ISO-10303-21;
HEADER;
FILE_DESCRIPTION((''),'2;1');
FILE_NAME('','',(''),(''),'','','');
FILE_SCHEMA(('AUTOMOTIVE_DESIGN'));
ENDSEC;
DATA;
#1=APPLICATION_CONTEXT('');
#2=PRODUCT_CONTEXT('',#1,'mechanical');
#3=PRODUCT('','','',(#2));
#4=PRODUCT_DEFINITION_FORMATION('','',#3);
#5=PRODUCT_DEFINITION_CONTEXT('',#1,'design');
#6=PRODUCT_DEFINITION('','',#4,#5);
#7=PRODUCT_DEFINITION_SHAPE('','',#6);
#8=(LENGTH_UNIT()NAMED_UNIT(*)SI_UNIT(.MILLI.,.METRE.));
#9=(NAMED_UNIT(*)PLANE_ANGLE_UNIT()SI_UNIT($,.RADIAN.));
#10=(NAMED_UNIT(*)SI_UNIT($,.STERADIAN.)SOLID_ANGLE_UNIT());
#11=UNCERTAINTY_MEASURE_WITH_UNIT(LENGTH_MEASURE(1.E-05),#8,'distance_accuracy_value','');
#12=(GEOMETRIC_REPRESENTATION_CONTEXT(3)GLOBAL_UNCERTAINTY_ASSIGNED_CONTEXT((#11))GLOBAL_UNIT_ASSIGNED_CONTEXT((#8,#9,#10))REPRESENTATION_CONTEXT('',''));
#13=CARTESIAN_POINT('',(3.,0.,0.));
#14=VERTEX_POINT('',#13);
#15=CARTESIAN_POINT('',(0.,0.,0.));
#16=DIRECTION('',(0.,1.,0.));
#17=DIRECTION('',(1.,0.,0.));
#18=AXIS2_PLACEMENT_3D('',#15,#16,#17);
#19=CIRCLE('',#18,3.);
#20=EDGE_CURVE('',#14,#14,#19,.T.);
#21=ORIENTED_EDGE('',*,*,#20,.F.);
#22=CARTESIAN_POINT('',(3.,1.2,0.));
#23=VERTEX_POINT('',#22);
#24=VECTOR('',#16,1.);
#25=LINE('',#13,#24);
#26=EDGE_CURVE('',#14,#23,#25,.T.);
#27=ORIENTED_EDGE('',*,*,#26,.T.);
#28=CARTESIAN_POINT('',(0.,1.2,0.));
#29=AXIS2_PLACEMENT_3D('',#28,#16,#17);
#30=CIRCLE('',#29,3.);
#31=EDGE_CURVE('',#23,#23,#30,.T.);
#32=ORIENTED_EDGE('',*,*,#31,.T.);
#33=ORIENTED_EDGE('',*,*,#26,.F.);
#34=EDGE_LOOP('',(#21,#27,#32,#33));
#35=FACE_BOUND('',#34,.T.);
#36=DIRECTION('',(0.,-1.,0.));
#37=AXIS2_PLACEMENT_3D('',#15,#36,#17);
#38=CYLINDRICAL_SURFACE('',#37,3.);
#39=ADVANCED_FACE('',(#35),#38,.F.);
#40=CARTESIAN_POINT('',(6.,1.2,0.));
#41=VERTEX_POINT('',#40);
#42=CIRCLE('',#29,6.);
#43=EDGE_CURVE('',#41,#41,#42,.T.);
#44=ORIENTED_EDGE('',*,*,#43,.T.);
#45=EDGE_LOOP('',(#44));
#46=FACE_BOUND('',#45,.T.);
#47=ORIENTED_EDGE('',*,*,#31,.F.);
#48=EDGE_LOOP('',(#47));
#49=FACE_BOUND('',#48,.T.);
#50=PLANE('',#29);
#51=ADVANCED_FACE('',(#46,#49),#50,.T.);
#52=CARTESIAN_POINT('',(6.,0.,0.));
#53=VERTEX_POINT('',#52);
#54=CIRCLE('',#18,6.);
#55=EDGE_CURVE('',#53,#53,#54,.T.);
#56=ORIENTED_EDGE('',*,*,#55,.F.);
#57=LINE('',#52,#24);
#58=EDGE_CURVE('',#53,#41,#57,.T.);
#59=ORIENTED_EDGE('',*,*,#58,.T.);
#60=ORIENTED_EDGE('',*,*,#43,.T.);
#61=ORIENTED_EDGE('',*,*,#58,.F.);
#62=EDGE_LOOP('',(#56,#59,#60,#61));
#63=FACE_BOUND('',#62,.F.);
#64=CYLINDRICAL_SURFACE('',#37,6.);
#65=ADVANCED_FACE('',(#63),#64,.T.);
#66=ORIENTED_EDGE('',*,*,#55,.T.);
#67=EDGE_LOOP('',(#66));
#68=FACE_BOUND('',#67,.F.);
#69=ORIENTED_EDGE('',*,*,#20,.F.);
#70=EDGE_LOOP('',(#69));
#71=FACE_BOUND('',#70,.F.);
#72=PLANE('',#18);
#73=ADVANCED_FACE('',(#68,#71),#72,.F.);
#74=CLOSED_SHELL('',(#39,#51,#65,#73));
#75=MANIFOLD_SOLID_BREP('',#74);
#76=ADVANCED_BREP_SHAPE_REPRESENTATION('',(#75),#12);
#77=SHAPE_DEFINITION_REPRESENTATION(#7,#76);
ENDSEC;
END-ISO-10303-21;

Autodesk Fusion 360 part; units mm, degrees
sketch "Sketch1" plane through (0, 0, 0) normal (0, 1, 0) x (1, 0, 0)
  circle A0 centre (0, 0) radius 3
  circle A1 centre (0, 0) radius 6
  dimension "d1" = 6
  dimension "d2" = 12
extrude "Extrude1" add sketch "Sketch1" along normal blind 1.2
